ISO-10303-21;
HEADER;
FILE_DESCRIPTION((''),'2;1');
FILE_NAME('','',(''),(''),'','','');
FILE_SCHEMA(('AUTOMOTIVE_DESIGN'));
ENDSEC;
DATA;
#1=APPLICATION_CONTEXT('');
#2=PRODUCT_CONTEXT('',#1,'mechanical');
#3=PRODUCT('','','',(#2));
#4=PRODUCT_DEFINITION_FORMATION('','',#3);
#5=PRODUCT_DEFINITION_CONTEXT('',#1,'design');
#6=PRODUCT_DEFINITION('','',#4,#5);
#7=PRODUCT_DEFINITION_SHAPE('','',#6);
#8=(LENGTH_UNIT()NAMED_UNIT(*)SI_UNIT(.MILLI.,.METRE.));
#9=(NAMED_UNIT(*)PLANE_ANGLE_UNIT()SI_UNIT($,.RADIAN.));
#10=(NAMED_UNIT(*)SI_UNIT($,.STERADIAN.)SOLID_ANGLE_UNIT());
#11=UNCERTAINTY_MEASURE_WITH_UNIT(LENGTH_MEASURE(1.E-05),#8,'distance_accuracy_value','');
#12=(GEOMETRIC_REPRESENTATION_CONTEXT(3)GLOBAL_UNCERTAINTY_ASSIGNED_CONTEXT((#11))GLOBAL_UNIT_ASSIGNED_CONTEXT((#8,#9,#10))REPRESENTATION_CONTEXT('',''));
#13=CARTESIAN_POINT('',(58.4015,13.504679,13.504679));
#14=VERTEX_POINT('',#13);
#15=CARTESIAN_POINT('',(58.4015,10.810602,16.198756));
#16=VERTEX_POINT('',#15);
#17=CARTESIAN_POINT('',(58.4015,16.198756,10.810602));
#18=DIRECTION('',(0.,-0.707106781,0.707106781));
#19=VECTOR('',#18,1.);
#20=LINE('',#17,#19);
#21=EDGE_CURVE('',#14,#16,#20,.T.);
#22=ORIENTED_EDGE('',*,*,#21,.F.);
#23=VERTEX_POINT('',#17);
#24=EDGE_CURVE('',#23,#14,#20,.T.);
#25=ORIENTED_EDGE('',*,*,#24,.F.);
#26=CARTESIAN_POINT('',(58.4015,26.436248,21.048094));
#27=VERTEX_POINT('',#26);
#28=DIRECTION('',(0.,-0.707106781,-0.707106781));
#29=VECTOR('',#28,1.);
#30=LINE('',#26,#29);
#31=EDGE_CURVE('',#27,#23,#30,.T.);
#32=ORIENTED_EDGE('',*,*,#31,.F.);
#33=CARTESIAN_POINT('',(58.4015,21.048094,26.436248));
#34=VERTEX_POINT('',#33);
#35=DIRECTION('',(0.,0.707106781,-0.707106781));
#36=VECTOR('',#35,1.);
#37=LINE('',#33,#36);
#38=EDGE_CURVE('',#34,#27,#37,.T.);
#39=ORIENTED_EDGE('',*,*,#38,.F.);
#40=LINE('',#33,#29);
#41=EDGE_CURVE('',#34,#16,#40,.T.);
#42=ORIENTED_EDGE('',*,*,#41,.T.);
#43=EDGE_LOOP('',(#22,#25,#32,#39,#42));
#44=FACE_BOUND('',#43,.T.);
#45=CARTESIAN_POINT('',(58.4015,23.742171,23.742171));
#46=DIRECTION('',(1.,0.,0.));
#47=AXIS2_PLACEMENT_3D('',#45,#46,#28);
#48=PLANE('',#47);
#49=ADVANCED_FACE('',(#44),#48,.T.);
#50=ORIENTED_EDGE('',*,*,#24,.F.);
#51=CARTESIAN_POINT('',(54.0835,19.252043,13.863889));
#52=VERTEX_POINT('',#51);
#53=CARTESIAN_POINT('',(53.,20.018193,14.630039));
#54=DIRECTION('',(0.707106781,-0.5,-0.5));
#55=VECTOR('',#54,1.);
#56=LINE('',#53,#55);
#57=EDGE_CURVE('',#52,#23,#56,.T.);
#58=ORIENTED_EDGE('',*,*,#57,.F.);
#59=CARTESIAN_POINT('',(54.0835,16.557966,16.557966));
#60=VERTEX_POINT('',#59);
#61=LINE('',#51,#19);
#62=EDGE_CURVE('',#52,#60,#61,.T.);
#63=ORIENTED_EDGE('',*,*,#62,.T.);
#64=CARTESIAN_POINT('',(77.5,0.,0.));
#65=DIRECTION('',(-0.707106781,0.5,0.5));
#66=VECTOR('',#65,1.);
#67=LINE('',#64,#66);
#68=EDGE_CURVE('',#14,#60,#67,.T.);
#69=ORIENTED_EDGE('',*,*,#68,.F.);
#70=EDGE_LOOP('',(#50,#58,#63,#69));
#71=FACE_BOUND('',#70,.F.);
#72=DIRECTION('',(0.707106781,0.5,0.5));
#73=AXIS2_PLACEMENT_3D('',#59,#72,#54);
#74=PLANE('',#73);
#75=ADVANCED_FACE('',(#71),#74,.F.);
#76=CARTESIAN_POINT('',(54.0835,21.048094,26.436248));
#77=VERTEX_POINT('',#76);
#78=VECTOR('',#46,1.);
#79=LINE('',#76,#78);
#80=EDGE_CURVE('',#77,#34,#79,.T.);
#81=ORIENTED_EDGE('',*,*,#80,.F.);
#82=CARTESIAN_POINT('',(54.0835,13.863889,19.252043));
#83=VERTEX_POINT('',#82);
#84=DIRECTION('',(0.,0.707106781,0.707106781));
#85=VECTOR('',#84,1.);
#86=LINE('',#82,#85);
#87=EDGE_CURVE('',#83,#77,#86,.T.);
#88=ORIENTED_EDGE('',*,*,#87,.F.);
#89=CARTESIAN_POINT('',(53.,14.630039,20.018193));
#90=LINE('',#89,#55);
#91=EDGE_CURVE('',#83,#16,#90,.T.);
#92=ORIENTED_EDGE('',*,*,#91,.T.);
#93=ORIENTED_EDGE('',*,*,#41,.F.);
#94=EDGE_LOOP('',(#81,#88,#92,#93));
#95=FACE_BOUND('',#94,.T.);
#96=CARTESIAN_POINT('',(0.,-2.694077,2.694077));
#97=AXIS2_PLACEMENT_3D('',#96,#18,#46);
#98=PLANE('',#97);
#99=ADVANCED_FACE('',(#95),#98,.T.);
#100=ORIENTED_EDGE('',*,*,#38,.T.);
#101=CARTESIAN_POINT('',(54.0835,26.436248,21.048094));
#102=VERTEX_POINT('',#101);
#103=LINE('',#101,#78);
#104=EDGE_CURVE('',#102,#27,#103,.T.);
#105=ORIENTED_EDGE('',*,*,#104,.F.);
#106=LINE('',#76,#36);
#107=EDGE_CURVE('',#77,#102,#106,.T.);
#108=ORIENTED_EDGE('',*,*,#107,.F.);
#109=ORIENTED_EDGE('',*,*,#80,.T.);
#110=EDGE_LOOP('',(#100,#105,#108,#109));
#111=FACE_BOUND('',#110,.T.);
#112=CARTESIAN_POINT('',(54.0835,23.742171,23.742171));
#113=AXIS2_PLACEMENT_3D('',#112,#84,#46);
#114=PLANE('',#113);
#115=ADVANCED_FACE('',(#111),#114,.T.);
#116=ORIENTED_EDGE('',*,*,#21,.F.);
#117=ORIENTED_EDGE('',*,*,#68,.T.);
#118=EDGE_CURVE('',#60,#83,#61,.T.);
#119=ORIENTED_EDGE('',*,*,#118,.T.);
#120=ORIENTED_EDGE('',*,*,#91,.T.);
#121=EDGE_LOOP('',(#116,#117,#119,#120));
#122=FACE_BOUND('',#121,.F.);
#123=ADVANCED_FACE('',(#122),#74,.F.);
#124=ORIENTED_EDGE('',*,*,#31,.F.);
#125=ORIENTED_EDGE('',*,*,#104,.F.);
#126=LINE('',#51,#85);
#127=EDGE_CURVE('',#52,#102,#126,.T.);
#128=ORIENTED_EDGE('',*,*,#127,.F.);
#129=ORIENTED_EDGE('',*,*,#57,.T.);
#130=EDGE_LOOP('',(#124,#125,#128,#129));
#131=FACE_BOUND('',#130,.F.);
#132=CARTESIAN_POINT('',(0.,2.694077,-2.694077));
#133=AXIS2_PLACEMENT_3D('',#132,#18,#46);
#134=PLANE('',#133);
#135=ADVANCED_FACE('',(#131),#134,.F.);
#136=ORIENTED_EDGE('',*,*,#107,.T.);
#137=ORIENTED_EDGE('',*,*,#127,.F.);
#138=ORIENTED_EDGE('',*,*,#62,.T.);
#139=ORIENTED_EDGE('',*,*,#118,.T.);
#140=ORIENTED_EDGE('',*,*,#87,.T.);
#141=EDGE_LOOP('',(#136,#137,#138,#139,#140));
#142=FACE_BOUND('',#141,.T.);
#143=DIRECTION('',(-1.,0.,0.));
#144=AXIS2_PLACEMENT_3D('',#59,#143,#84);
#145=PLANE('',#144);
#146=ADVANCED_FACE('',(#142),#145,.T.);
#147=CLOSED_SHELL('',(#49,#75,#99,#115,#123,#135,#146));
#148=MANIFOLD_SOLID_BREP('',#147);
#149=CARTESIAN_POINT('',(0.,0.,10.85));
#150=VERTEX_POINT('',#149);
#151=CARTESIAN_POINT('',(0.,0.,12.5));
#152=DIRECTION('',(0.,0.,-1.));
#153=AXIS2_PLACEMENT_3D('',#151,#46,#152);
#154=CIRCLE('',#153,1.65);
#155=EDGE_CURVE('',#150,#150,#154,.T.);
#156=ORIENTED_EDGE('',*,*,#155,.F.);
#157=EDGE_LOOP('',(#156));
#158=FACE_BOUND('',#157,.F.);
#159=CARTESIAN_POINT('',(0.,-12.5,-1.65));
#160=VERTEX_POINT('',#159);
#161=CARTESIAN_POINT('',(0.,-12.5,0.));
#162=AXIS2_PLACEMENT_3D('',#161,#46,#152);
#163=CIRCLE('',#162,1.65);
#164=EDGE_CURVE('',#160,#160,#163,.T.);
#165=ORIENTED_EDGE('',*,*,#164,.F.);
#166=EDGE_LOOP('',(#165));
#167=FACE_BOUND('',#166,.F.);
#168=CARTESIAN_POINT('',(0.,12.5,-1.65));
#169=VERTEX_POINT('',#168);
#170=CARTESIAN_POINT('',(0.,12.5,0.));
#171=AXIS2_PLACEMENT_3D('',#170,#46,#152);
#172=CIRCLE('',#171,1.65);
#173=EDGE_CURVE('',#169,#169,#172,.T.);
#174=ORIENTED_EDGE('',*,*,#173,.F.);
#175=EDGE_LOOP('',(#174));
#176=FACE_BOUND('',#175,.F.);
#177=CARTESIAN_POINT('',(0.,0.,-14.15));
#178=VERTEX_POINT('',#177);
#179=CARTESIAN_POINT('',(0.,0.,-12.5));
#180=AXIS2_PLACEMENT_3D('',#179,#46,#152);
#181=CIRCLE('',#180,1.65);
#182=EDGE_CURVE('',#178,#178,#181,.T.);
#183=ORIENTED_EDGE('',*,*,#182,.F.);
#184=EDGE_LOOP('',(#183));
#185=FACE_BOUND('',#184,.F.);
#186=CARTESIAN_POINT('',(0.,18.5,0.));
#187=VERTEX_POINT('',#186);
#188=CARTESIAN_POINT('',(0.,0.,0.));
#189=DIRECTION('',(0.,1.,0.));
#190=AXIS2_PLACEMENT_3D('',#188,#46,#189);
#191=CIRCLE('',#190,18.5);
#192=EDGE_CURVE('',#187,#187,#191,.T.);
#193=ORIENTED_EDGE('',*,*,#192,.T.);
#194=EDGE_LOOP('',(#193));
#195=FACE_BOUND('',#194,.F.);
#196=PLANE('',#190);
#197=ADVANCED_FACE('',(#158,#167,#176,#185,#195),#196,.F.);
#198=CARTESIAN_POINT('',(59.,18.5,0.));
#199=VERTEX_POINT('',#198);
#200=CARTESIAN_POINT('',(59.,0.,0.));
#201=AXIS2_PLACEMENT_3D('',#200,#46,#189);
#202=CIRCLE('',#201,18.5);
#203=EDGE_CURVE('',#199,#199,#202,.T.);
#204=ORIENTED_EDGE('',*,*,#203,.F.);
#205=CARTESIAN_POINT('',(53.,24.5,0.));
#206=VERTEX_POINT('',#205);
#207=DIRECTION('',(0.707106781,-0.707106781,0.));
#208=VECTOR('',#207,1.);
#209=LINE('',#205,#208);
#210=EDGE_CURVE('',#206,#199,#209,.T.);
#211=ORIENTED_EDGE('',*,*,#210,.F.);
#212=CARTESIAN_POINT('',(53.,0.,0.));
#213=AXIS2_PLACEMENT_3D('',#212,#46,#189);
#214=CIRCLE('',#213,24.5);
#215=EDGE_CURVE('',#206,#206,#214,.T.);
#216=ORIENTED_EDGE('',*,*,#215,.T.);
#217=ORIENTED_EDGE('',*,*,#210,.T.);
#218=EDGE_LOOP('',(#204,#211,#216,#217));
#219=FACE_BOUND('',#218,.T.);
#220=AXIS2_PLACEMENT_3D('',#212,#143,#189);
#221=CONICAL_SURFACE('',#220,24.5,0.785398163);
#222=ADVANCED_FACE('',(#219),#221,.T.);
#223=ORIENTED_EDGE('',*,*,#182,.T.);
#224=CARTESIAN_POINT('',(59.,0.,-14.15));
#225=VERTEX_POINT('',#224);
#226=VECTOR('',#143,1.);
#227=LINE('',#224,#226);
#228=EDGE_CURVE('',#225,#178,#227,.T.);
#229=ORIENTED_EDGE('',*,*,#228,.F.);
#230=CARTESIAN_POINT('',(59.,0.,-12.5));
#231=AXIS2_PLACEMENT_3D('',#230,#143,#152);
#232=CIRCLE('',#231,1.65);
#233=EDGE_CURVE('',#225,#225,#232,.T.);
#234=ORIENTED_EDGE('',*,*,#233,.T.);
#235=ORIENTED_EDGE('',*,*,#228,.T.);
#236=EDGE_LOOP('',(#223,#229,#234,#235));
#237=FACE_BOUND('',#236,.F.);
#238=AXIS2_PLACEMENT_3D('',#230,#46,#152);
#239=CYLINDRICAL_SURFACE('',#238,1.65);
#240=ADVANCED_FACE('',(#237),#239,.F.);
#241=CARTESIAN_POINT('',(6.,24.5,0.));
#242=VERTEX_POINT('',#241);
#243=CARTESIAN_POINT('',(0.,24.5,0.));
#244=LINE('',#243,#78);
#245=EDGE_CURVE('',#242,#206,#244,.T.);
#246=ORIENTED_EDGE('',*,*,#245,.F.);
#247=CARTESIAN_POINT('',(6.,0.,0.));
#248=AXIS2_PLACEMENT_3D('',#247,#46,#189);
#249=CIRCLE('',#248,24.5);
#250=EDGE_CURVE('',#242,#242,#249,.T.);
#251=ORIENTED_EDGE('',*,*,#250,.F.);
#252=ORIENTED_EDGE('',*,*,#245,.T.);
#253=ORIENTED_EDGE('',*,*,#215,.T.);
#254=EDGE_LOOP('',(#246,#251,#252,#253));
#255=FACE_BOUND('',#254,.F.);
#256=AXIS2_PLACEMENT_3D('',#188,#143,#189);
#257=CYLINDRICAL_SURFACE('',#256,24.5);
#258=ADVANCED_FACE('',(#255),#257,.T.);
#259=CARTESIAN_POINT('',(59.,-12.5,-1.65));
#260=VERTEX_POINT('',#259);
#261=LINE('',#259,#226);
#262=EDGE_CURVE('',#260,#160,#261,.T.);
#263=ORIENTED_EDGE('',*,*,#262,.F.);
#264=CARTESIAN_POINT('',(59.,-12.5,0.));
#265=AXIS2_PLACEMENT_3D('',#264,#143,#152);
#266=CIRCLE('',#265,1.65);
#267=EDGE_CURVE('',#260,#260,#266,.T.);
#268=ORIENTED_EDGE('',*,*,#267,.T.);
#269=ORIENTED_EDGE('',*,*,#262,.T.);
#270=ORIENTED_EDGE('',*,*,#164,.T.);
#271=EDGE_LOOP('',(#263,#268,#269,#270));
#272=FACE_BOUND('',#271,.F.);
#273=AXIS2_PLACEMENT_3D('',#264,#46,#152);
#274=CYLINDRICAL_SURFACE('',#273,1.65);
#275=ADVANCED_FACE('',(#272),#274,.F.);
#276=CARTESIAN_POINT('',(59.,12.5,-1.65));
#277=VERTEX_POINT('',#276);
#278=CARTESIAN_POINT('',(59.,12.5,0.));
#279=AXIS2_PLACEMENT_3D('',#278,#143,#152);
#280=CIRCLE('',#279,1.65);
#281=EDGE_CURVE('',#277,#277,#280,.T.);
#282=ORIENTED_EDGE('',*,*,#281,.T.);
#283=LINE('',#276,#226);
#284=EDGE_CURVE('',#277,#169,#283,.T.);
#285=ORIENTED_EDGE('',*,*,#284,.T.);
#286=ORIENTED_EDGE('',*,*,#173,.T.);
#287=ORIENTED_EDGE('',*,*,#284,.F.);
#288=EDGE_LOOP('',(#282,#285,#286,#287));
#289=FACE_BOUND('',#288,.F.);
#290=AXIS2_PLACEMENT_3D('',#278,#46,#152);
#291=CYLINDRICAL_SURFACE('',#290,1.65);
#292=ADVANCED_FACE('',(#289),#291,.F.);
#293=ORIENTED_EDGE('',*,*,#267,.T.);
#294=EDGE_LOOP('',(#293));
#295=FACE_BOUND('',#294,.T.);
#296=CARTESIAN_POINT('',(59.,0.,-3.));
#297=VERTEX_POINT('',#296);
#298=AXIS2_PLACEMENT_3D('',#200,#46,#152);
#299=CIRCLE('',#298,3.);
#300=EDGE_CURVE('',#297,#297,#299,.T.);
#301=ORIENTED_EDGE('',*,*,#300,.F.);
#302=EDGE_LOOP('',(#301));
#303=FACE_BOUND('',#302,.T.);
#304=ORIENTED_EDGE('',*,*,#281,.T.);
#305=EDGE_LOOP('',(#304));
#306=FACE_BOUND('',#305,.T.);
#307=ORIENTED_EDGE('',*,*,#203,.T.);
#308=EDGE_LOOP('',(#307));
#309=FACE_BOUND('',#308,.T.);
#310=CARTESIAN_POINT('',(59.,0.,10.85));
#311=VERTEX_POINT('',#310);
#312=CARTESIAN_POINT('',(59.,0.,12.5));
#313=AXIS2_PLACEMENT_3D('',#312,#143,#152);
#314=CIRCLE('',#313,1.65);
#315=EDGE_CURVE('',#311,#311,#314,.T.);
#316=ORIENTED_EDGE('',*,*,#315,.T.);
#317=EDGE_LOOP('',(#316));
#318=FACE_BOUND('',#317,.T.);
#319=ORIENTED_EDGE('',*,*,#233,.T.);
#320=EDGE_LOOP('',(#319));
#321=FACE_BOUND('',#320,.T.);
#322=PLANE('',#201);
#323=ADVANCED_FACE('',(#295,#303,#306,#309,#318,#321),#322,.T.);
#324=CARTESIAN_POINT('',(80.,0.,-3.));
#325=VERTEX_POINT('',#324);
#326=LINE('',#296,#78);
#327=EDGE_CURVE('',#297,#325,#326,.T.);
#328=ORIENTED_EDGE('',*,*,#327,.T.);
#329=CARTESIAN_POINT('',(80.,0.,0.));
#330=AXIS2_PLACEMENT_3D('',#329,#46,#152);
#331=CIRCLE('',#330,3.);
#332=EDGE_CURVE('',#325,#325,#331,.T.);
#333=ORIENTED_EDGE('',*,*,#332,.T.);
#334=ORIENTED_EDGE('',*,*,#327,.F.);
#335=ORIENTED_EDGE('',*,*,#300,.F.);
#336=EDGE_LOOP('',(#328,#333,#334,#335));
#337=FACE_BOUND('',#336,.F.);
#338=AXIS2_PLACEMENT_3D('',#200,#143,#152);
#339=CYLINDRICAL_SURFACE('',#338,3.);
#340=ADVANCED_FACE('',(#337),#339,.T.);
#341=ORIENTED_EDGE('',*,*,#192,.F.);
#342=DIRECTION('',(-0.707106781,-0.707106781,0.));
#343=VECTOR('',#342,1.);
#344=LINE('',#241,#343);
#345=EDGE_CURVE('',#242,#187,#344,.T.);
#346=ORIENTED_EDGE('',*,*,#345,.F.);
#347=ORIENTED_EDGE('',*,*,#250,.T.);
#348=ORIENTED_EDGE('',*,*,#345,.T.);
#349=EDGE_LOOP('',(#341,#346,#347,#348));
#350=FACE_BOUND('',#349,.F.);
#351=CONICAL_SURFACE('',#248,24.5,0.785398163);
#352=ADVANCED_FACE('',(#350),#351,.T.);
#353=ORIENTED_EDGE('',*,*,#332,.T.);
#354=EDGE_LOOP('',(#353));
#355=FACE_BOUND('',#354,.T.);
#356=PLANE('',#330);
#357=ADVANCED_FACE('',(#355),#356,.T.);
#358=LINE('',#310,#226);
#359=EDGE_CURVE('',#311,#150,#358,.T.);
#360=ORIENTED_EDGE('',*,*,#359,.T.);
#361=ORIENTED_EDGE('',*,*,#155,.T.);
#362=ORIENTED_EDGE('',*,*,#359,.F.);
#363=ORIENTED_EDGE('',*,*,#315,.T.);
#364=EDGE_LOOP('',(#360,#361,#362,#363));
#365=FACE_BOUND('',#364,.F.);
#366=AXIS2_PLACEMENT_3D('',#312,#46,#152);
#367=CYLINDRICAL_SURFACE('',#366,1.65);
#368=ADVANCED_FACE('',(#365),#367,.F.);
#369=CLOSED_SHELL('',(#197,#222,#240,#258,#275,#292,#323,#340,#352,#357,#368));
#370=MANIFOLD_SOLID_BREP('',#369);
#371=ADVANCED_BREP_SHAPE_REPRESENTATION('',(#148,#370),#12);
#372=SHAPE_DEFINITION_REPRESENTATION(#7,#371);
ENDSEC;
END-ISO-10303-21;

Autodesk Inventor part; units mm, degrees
ref_plane "YZ Plane" through (0, 0, 0) normal (1, 0, 0) x (0, 1, 0)
ref_plane "XZ Plane" through (0, 0, 0) normal (0, 1, 0) x (-1, 0, 0)
sketch "Sketch1" plane through (0, 0, 0) normal (1, 0, 0) x (0, 1, 0)
  circle A0 centre (0, 0) radius 24.5
  dimension "d0" = 49
extrude "Extrusion1" add sketch "Sketch1" along normal blind 59
sketch "Sketch2" plane through (59, 0, 0) normal (1, 0, 0) x (0, 0, -1)
  circle A0 centre (0, 0) radius 3
  dimension "d3" = 6
extrude "Extrusion2" add sketch "Sketch2" along normal blind 21
sketch "Sketch3" plane through (59, 0, 0) normal (1, 0, 0) x (0, 0, -1)
  circle A0 centre (0, 0) radius 12.5 construction
  circle A1 centre (0, 12.5) radius 1.65
  circle A2 centre (12.5, 0) radius 1.65
  circle A3 centre (0, -12.5) radius 1.65
  circle A4 centre (-12.5, 0) radius 1.65
  line L0 (0, -34.3) -> (0, 34.3) projected
  line L1 (-34.3, 0) -> (34.3, 0) projected
  dimension "d6" = 25
  dimension "d7" = 3.3
extrude "Extrusion3" cut sketch "Sketch3" against normal through all
chamfer "Chamfer1" distance 6 angle 45 2 edges at (59, -24.5, 0) (0, -24.5, 0)
ref_plane "Work Plane2" through (0, 0, 0) normal (0, -0.7071, 0.7071) x (1, 0, 0)
sketch "Sketch5" plane through (0, 0, 0) normal (0, -0.7071, 0.7071) x (1, 0, 0)
  line L0 (53, -24.5) -> (53, 24.5) projected
  line L1 (59, 18.5) -> (59, -18.5) projected
  line L2 (53, 24.5) -> (59, 18.5) projected
  line L3 (53, -24.5) -> (59, -18.5) projected
  line L4 (54.0835, 23.4165) -> (54.0835, 33.5765)
  line L5 (54.0835, 33.5765) -> (58.4015, 33.5765)
  line L6 (58.4015, 33.5765) -> (58.4015, 19.0985)
  point P0 (0, 0)
  dimension "d19" = 10.16
  dimension "d21" = 4.318
  dimension "d22" = 1.0835
extrude "Extrusion5" add sketch "Sketch5" along normal mid plane 7.62 contours L4 L5 L6 L2
properties part number "TurnigySK3_Mock" material "Aluminum 6061"
